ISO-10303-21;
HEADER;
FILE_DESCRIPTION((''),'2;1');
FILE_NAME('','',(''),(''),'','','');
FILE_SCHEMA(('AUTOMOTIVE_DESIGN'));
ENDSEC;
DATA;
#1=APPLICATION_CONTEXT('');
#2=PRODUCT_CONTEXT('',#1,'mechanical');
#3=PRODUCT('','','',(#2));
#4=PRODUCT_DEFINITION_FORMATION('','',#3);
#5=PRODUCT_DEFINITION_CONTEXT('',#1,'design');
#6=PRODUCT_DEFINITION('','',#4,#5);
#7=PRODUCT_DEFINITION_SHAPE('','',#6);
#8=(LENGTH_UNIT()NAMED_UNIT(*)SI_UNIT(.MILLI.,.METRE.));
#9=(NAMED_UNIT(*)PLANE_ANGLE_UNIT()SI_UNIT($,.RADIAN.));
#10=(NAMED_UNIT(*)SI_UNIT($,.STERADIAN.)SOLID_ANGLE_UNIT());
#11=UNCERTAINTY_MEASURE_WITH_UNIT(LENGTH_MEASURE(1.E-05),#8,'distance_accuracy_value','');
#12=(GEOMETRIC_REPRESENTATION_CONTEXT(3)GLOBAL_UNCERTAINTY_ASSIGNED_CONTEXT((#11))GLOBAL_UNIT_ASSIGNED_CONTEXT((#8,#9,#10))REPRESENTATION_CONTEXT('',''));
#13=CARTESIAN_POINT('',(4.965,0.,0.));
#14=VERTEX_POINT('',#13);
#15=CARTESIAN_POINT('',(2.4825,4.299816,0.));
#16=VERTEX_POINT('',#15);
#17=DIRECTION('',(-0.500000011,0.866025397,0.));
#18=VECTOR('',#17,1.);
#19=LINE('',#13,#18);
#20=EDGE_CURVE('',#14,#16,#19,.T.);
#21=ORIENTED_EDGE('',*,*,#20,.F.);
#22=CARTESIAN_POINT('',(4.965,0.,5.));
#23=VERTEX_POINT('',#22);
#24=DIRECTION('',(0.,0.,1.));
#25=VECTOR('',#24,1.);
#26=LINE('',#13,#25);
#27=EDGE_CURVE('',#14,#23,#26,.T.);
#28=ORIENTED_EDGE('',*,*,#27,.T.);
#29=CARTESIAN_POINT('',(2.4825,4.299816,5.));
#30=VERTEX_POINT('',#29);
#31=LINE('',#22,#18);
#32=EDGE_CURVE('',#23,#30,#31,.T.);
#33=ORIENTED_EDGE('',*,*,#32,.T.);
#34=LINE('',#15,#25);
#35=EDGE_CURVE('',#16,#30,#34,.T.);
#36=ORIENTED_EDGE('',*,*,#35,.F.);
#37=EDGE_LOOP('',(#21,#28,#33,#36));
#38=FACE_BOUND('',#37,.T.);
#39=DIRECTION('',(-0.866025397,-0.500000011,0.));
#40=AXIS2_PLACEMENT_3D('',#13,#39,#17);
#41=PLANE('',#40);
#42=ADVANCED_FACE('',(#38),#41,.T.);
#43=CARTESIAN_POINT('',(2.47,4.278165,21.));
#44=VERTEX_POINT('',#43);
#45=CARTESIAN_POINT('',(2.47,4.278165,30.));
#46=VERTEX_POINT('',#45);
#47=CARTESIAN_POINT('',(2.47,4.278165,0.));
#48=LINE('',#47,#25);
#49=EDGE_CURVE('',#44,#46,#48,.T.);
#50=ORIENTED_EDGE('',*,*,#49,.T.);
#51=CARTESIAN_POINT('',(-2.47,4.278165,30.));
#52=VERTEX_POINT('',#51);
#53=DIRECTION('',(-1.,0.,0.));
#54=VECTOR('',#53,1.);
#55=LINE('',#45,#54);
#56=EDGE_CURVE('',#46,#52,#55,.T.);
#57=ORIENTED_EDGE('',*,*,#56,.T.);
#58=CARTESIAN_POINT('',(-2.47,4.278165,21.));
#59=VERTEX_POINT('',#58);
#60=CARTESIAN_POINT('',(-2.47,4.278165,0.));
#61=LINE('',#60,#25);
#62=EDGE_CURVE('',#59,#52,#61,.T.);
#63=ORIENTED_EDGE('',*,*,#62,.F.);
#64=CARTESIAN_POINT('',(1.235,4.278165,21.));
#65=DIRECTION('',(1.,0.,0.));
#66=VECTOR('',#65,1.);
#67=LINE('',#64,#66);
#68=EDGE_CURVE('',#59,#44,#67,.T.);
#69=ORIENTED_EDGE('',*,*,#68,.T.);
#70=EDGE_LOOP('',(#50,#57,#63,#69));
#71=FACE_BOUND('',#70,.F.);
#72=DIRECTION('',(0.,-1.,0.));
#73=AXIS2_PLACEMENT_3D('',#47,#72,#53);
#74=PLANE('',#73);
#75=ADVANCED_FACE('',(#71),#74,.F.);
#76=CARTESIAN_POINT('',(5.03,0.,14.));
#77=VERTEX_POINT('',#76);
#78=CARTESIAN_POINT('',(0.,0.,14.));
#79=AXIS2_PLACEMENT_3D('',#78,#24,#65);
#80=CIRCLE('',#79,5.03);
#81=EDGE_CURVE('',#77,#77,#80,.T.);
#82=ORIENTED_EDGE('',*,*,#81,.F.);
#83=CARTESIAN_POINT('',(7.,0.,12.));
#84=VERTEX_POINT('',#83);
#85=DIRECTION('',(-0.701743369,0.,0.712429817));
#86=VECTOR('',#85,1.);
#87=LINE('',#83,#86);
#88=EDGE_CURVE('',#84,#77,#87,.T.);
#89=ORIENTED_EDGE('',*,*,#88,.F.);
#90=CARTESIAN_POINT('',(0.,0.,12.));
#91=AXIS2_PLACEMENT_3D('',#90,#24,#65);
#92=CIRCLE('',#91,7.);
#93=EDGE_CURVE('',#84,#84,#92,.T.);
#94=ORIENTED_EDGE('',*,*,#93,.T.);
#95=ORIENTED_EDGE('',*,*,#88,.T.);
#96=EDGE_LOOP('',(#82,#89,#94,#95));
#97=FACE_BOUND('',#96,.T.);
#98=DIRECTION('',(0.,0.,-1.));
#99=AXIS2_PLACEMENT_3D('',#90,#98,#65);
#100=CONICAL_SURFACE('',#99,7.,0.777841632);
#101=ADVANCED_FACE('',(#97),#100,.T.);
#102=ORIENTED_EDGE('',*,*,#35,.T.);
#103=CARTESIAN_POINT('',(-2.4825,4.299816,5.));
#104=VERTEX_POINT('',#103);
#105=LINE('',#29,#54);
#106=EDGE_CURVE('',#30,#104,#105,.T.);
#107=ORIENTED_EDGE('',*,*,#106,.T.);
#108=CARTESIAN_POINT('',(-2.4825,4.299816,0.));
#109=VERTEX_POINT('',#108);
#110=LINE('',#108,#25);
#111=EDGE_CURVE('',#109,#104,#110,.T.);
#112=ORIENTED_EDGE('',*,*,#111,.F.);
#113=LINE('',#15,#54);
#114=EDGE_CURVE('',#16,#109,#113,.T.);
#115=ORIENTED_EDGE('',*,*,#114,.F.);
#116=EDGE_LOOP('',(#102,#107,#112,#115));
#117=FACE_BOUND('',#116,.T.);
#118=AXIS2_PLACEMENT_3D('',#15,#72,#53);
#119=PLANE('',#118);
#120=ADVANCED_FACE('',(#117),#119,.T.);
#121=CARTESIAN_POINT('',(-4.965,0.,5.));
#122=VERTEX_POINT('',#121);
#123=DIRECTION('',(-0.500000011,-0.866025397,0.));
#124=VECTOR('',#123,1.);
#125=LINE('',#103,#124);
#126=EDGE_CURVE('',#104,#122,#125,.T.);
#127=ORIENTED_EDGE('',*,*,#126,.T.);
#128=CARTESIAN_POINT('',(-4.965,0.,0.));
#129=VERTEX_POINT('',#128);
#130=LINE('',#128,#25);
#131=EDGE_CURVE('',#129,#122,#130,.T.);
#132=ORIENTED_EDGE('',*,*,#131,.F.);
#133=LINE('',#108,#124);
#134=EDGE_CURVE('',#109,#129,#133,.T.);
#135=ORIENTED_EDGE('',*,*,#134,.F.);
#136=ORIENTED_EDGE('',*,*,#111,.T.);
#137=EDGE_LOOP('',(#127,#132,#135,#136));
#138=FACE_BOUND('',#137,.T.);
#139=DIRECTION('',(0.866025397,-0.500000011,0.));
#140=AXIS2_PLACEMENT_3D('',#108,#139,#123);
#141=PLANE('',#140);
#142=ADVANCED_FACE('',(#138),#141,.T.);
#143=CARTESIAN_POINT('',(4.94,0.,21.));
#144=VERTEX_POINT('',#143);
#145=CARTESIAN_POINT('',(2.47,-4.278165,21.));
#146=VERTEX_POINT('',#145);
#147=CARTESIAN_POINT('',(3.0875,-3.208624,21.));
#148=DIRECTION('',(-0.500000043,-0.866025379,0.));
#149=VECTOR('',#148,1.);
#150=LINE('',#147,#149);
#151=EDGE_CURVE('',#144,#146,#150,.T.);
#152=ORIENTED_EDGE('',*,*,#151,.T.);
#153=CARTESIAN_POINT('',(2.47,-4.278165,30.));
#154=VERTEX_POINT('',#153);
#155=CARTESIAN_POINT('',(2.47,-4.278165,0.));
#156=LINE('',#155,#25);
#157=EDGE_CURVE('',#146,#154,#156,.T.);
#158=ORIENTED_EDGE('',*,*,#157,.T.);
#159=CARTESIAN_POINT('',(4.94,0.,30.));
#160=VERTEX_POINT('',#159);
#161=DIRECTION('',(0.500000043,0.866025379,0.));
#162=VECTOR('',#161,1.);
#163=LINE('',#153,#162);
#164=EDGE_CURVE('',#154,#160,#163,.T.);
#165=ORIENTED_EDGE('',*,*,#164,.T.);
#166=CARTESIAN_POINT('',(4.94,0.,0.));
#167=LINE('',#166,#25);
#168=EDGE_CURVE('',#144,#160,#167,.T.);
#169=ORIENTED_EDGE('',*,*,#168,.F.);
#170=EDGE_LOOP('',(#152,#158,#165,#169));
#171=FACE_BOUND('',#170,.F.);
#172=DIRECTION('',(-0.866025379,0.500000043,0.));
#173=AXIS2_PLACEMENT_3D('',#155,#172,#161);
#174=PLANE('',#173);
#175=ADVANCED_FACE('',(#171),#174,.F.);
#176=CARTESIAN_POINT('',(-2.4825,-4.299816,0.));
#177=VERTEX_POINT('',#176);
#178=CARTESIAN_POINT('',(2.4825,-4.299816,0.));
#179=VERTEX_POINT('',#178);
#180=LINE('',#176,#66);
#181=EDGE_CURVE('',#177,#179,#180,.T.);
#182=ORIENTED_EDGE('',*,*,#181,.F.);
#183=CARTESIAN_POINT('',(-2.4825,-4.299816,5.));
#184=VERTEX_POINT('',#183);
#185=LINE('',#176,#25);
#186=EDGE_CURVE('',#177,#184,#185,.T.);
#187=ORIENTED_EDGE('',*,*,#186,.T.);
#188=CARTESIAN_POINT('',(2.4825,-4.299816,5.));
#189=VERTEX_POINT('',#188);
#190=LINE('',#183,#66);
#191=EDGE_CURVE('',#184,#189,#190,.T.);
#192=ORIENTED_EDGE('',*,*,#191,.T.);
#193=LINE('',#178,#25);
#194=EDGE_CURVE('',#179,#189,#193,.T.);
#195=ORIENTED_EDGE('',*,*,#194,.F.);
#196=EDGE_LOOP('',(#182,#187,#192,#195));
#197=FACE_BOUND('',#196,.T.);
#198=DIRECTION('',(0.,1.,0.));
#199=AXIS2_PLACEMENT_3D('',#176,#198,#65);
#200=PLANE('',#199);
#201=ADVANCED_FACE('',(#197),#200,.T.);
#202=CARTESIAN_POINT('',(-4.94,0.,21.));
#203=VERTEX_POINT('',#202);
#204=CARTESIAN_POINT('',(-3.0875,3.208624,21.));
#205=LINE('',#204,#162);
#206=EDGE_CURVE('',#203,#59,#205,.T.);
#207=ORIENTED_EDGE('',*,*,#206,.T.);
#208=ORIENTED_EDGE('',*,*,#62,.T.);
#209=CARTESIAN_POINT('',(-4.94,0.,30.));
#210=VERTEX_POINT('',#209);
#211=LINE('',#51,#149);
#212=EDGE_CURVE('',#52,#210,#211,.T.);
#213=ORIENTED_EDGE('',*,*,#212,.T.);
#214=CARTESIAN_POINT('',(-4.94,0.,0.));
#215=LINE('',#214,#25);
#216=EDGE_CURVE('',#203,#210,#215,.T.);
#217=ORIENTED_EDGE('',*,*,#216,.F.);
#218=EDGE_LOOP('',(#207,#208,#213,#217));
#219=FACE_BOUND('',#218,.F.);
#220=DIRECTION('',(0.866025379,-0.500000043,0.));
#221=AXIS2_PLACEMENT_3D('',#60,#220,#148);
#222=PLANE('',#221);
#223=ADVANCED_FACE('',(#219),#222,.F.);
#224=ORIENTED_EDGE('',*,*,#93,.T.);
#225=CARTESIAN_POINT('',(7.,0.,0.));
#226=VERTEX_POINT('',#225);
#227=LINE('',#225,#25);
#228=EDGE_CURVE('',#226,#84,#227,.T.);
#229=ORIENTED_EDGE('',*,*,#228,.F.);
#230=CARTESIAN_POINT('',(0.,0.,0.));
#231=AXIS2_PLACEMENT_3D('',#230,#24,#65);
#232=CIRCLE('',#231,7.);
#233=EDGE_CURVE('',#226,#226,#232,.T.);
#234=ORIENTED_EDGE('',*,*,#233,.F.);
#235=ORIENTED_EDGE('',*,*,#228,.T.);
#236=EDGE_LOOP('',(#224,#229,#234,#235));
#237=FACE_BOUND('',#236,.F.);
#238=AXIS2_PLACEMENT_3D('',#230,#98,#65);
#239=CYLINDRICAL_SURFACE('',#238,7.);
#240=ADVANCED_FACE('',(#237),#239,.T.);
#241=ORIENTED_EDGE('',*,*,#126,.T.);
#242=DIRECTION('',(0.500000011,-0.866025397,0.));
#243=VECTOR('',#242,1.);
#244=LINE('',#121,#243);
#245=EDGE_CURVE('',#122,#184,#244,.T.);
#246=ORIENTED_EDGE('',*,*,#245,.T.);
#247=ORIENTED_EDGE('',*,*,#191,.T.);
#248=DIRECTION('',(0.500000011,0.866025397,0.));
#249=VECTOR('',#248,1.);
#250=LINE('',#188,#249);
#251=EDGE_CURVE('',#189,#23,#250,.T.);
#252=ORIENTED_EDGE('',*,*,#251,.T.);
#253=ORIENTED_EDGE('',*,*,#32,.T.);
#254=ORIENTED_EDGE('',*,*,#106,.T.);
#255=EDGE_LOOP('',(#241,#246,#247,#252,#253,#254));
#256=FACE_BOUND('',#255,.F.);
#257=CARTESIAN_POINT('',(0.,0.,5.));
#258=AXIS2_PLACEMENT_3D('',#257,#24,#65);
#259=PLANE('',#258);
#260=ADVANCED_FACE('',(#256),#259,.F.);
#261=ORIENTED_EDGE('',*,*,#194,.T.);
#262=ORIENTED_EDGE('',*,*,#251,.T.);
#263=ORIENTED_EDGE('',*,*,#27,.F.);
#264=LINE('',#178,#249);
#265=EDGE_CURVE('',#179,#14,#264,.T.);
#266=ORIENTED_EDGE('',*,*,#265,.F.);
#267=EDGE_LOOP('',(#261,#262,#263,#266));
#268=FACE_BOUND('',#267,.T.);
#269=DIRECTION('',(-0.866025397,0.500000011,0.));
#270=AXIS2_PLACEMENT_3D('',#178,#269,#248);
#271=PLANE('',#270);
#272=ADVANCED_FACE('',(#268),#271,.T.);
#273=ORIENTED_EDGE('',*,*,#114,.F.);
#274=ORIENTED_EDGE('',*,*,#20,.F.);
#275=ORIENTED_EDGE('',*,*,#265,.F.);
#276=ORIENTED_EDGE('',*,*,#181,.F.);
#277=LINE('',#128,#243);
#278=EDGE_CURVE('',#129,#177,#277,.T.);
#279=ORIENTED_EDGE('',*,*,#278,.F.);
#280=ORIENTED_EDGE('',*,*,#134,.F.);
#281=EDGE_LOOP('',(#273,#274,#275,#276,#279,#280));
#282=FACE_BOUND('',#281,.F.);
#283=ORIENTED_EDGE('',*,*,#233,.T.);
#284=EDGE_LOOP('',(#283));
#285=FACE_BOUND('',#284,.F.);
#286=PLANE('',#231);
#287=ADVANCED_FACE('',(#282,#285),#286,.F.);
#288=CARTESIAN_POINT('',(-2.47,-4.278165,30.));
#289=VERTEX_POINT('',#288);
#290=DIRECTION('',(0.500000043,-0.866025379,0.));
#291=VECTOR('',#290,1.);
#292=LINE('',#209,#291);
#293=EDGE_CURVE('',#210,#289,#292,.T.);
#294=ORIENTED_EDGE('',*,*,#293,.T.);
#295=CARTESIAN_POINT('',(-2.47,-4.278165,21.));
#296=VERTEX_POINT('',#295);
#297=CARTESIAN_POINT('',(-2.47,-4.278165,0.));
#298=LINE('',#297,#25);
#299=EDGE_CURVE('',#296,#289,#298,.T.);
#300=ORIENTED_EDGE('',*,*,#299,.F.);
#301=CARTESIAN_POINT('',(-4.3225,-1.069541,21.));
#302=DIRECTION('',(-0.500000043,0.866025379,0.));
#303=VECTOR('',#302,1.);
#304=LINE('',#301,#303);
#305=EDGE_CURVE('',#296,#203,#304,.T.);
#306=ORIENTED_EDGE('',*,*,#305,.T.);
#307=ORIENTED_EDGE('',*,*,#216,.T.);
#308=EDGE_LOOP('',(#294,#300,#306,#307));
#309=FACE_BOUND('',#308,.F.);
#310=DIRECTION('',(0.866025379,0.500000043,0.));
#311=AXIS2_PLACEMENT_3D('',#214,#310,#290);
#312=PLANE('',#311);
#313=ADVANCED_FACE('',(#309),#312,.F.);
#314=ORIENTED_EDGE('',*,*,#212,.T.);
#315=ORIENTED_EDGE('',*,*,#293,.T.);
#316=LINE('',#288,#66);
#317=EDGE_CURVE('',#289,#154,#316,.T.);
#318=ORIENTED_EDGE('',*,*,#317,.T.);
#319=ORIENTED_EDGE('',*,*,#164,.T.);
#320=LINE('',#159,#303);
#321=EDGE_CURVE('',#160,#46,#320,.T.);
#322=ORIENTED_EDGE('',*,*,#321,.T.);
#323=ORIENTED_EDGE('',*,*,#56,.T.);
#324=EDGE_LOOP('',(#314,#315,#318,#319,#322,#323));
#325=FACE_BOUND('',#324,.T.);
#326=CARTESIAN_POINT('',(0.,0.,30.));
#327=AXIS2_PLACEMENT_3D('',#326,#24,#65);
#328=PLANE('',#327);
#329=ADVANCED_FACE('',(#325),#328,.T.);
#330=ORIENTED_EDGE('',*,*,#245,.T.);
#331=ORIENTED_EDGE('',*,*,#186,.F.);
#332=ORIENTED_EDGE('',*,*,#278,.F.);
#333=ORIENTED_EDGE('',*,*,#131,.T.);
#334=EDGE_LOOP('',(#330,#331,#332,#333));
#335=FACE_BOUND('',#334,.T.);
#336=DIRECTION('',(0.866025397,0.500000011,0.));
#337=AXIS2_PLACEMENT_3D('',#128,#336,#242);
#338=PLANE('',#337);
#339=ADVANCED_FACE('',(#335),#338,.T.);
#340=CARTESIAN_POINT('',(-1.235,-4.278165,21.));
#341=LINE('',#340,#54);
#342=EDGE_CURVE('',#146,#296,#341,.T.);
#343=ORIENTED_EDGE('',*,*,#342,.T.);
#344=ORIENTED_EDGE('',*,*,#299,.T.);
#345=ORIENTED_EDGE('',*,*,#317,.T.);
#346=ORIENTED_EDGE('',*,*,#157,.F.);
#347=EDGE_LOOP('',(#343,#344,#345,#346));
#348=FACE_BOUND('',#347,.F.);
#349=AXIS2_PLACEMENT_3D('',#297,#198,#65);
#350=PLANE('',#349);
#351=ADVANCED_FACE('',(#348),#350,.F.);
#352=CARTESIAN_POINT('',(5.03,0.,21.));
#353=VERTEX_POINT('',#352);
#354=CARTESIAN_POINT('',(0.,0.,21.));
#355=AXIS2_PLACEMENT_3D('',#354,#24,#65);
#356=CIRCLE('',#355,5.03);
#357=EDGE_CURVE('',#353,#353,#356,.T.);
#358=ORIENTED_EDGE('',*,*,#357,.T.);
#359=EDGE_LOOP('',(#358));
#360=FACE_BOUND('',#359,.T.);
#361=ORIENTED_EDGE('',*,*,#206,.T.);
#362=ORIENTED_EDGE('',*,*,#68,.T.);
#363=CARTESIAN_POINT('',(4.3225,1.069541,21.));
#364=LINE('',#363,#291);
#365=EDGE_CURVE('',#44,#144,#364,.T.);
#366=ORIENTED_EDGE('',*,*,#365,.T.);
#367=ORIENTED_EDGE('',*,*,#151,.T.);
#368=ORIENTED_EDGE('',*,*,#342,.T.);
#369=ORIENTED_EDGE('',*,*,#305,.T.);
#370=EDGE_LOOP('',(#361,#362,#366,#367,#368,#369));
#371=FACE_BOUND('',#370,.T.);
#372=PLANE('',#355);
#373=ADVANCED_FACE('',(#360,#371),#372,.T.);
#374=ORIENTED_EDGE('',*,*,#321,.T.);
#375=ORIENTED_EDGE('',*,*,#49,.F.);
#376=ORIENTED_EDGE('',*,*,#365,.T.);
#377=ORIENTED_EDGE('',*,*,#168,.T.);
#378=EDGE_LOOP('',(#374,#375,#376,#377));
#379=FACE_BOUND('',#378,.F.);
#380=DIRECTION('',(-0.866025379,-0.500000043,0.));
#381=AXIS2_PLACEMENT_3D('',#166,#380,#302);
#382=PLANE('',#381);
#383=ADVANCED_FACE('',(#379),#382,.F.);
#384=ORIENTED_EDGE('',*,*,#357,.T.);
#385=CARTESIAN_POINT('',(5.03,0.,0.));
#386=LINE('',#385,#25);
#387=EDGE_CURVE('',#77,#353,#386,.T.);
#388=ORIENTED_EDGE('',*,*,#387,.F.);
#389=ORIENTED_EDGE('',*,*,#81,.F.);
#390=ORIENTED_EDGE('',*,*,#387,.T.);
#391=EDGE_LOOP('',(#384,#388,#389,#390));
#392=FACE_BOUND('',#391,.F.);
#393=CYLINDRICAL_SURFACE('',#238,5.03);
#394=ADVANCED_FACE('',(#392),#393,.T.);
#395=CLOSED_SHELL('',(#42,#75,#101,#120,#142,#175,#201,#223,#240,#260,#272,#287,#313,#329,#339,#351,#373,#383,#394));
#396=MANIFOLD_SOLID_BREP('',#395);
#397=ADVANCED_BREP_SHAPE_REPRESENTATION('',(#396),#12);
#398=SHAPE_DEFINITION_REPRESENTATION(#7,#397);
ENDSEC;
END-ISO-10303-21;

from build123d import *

# Parameters (mm, degrees)
SKETCH031_R     = 7
PAD023_DEPTH    = 12
SKETCH033_R     = 5.03
PAD024_DEPTH    = 21
PAD025_DEPTH    = 30
POCKET005_DEPTH = 5


with BuildPart() as part:
    # Sketch031 → Pad023 (new body)
    with BuildSketch(Plane.XY):
        Circle(SKETCH031_R)
    extrude(amount=PAD023_DEPTH)

    # Sketch033 → Pad024 (join)
    with BuildSketch(Plane.XY):
        Circle(SKETCH033_R)
    extrude(amount=PAD024_DEPTH)

    # Sketch034 → Pad025 (join)
    with BuildSketch(Plane.XY):
        Polygon((4.94, 0), (2.47, 4.278165), (-2.47, 4.278165), (-4.94, 0), (-2.47, -4.278165), (2.47, -4.278165), align=None)
    extrude(amount=PAD025_DEPTH)

    # Sketch032 → Pocket005 (cut)
    with BuildSketch(Plane.XY):
        Polygon((4.965, 0), (2.4825, 4.299816), (-2.4825, 4.299816), (-4.965, 0), (-2.4825, -4.299816), (2.4825, -4.299816), align=None)
    extrude(amount=POCKET005_DEPTH, mode=Mode.SUBTRACT)

    # Sketch035 → Revolution007 (revolve)
    with BuildSketch(Plane.XZ):
        Polygon((5.03, 12), (7, 12), (5.03, 14), align=None)
    revolve(axis=Axis((0, 0, 0), (0, 0, 1)))


solid = part.part
